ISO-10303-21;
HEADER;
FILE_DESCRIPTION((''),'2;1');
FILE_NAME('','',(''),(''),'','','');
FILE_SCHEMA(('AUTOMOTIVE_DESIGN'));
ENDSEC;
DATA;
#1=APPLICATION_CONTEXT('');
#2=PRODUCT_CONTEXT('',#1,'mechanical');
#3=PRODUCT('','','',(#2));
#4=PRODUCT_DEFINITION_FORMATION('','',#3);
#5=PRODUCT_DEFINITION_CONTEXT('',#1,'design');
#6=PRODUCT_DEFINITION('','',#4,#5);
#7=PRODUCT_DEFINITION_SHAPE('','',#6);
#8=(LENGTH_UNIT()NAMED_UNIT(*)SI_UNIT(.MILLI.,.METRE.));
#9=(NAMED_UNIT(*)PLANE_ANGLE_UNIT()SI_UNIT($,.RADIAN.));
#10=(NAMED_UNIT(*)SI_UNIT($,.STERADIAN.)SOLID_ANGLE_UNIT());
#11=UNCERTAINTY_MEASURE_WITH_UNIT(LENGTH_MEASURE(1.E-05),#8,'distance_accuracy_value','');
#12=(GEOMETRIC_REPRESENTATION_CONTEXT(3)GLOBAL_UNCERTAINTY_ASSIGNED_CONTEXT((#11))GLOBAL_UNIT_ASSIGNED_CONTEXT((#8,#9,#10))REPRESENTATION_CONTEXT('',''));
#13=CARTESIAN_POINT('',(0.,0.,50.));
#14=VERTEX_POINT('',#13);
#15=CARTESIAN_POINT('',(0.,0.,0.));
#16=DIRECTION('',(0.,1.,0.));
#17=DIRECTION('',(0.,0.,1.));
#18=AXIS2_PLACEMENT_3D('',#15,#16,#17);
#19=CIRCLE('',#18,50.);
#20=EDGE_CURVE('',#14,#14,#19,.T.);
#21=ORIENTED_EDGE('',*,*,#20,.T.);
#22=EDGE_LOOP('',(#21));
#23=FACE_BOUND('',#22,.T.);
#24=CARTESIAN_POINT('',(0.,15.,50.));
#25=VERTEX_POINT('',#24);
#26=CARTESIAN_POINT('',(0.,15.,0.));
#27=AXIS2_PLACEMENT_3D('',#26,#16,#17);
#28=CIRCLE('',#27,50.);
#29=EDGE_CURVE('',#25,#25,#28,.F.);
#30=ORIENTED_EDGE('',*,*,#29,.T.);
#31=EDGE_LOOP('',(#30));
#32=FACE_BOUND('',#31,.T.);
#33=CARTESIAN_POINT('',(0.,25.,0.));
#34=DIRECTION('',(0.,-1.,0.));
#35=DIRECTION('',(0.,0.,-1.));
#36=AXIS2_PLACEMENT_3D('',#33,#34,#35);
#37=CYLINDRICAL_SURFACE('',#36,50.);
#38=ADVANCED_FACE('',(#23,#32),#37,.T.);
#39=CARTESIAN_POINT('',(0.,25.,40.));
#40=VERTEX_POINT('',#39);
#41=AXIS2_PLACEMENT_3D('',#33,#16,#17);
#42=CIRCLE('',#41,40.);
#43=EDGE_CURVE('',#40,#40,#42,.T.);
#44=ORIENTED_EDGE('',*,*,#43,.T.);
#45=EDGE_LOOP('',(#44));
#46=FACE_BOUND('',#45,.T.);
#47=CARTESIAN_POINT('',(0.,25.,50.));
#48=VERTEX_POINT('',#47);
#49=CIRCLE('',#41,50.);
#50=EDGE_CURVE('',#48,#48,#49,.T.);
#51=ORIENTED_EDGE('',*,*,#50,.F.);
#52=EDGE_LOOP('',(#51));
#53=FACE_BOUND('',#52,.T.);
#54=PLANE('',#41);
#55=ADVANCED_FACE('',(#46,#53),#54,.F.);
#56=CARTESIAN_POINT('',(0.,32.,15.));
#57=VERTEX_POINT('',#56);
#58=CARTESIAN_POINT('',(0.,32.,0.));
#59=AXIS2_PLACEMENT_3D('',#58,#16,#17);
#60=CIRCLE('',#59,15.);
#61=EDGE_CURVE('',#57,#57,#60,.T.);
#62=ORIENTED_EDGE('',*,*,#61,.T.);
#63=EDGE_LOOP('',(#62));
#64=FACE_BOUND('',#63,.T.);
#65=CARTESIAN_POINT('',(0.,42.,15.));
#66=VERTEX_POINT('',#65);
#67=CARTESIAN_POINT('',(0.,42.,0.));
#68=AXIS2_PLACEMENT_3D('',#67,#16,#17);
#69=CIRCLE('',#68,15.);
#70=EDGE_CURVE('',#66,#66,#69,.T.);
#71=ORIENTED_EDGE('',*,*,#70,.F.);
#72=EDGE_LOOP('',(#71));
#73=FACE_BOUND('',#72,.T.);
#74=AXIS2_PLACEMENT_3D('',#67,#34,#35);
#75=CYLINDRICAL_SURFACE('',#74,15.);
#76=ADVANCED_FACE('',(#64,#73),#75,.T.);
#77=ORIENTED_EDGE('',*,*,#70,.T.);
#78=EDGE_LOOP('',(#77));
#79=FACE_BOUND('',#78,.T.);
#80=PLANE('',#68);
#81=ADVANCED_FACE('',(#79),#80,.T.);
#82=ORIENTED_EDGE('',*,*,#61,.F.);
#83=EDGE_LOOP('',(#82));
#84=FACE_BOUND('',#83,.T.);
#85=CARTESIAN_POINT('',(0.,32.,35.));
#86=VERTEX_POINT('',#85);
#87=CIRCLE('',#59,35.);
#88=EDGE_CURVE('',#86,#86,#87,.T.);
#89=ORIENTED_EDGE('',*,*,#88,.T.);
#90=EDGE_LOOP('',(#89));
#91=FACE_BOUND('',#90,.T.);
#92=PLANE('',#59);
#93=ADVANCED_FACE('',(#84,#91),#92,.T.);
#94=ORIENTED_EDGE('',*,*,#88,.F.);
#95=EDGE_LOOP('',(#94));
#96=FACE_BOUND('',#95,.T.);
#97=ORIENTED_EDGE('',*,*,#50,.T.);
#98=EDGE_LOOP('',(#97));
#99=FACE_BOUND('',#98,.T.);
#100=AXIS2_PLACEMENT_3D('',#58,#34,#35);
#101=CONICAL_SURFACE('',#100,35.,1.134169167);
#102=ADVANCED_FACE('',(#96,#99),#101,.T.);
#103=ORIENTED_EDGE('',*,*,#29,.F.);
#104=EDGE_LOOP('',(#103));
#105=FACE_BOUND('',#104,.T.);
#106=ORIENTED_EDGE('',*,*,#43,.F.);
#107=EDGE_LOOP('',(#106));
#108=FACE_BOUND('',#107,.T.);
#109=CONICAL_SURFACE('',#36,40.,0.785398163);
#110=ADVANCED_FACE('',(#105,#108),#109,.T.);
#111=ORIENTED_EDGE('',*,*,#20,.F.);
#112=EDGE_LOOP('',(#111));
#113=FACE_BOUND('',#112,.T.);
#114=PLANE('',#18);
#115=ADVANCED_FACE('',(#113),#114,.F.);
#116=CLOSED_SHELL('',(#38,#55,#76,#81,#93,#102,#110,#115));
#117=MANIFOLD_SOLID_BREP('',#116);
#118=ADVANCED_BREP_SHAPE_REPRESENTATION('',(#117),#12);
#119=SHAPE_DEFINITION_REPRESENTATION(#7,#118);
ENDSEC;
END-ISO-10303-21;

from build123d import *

# Parameters (mm, degrees)
SKETCH1_R           = 50
BOSS_EXTRUDE1_DEPTH = 25
CHAMFER1_SIZE       = 10
SKETCH7_R           = 50
SKETCH8_R           = 35
SKETCH9_R           = 15
BOSS_EXTRUDE5_DEPTH = 10


with BuildPart() as part:
    # Sketch1 → Boss-Extrude1 (new body)
    with BuildSketch(Plane(origin=(0, 0, 0), x_dir=(1, 0, 0), z_dir=(0, 1, 0))):
        Circle(SKETCH1_R)
    extrude(amount=BOSS_EXTRUDE1_DEPTH)

    # Chamfer1
    chamfer1_edges = [part.edges().sort_by_distance(p)[0] for p in [
        (-50, 25, 0),
    ]]
    chamfer(chamfer1_edges, length=CHAMFER1_SIZE)

    # Sketch7 → Loft1 section 0
    with BuildSketch(Plane(origin=(0, 25, 0), x_dir=(1, 0, 0), z_dir=(0, 1, 0))):
        Circle(SKETCH7_R)
    # Sketch8 → Loft1 section 1
    with BuildSketch(Plane(origin=(0, 32, 0), x_dir=(1, 0, 0), z_dir=(0, 1, 0))):
        Circle(SKETCH8_R)
    loft()

    # Sketch9 → Boss-Extrude5 (add)
    with BuildSketch(Plane(origin=(0, 32, 0), x_dir=(1, 0, 0), z_dir=(0, 1, 0))):
        Circle(SKETCH9_R)
    extrude(amount=BOSS_EXTRUDE5_DEPTH)


solid = part.part
